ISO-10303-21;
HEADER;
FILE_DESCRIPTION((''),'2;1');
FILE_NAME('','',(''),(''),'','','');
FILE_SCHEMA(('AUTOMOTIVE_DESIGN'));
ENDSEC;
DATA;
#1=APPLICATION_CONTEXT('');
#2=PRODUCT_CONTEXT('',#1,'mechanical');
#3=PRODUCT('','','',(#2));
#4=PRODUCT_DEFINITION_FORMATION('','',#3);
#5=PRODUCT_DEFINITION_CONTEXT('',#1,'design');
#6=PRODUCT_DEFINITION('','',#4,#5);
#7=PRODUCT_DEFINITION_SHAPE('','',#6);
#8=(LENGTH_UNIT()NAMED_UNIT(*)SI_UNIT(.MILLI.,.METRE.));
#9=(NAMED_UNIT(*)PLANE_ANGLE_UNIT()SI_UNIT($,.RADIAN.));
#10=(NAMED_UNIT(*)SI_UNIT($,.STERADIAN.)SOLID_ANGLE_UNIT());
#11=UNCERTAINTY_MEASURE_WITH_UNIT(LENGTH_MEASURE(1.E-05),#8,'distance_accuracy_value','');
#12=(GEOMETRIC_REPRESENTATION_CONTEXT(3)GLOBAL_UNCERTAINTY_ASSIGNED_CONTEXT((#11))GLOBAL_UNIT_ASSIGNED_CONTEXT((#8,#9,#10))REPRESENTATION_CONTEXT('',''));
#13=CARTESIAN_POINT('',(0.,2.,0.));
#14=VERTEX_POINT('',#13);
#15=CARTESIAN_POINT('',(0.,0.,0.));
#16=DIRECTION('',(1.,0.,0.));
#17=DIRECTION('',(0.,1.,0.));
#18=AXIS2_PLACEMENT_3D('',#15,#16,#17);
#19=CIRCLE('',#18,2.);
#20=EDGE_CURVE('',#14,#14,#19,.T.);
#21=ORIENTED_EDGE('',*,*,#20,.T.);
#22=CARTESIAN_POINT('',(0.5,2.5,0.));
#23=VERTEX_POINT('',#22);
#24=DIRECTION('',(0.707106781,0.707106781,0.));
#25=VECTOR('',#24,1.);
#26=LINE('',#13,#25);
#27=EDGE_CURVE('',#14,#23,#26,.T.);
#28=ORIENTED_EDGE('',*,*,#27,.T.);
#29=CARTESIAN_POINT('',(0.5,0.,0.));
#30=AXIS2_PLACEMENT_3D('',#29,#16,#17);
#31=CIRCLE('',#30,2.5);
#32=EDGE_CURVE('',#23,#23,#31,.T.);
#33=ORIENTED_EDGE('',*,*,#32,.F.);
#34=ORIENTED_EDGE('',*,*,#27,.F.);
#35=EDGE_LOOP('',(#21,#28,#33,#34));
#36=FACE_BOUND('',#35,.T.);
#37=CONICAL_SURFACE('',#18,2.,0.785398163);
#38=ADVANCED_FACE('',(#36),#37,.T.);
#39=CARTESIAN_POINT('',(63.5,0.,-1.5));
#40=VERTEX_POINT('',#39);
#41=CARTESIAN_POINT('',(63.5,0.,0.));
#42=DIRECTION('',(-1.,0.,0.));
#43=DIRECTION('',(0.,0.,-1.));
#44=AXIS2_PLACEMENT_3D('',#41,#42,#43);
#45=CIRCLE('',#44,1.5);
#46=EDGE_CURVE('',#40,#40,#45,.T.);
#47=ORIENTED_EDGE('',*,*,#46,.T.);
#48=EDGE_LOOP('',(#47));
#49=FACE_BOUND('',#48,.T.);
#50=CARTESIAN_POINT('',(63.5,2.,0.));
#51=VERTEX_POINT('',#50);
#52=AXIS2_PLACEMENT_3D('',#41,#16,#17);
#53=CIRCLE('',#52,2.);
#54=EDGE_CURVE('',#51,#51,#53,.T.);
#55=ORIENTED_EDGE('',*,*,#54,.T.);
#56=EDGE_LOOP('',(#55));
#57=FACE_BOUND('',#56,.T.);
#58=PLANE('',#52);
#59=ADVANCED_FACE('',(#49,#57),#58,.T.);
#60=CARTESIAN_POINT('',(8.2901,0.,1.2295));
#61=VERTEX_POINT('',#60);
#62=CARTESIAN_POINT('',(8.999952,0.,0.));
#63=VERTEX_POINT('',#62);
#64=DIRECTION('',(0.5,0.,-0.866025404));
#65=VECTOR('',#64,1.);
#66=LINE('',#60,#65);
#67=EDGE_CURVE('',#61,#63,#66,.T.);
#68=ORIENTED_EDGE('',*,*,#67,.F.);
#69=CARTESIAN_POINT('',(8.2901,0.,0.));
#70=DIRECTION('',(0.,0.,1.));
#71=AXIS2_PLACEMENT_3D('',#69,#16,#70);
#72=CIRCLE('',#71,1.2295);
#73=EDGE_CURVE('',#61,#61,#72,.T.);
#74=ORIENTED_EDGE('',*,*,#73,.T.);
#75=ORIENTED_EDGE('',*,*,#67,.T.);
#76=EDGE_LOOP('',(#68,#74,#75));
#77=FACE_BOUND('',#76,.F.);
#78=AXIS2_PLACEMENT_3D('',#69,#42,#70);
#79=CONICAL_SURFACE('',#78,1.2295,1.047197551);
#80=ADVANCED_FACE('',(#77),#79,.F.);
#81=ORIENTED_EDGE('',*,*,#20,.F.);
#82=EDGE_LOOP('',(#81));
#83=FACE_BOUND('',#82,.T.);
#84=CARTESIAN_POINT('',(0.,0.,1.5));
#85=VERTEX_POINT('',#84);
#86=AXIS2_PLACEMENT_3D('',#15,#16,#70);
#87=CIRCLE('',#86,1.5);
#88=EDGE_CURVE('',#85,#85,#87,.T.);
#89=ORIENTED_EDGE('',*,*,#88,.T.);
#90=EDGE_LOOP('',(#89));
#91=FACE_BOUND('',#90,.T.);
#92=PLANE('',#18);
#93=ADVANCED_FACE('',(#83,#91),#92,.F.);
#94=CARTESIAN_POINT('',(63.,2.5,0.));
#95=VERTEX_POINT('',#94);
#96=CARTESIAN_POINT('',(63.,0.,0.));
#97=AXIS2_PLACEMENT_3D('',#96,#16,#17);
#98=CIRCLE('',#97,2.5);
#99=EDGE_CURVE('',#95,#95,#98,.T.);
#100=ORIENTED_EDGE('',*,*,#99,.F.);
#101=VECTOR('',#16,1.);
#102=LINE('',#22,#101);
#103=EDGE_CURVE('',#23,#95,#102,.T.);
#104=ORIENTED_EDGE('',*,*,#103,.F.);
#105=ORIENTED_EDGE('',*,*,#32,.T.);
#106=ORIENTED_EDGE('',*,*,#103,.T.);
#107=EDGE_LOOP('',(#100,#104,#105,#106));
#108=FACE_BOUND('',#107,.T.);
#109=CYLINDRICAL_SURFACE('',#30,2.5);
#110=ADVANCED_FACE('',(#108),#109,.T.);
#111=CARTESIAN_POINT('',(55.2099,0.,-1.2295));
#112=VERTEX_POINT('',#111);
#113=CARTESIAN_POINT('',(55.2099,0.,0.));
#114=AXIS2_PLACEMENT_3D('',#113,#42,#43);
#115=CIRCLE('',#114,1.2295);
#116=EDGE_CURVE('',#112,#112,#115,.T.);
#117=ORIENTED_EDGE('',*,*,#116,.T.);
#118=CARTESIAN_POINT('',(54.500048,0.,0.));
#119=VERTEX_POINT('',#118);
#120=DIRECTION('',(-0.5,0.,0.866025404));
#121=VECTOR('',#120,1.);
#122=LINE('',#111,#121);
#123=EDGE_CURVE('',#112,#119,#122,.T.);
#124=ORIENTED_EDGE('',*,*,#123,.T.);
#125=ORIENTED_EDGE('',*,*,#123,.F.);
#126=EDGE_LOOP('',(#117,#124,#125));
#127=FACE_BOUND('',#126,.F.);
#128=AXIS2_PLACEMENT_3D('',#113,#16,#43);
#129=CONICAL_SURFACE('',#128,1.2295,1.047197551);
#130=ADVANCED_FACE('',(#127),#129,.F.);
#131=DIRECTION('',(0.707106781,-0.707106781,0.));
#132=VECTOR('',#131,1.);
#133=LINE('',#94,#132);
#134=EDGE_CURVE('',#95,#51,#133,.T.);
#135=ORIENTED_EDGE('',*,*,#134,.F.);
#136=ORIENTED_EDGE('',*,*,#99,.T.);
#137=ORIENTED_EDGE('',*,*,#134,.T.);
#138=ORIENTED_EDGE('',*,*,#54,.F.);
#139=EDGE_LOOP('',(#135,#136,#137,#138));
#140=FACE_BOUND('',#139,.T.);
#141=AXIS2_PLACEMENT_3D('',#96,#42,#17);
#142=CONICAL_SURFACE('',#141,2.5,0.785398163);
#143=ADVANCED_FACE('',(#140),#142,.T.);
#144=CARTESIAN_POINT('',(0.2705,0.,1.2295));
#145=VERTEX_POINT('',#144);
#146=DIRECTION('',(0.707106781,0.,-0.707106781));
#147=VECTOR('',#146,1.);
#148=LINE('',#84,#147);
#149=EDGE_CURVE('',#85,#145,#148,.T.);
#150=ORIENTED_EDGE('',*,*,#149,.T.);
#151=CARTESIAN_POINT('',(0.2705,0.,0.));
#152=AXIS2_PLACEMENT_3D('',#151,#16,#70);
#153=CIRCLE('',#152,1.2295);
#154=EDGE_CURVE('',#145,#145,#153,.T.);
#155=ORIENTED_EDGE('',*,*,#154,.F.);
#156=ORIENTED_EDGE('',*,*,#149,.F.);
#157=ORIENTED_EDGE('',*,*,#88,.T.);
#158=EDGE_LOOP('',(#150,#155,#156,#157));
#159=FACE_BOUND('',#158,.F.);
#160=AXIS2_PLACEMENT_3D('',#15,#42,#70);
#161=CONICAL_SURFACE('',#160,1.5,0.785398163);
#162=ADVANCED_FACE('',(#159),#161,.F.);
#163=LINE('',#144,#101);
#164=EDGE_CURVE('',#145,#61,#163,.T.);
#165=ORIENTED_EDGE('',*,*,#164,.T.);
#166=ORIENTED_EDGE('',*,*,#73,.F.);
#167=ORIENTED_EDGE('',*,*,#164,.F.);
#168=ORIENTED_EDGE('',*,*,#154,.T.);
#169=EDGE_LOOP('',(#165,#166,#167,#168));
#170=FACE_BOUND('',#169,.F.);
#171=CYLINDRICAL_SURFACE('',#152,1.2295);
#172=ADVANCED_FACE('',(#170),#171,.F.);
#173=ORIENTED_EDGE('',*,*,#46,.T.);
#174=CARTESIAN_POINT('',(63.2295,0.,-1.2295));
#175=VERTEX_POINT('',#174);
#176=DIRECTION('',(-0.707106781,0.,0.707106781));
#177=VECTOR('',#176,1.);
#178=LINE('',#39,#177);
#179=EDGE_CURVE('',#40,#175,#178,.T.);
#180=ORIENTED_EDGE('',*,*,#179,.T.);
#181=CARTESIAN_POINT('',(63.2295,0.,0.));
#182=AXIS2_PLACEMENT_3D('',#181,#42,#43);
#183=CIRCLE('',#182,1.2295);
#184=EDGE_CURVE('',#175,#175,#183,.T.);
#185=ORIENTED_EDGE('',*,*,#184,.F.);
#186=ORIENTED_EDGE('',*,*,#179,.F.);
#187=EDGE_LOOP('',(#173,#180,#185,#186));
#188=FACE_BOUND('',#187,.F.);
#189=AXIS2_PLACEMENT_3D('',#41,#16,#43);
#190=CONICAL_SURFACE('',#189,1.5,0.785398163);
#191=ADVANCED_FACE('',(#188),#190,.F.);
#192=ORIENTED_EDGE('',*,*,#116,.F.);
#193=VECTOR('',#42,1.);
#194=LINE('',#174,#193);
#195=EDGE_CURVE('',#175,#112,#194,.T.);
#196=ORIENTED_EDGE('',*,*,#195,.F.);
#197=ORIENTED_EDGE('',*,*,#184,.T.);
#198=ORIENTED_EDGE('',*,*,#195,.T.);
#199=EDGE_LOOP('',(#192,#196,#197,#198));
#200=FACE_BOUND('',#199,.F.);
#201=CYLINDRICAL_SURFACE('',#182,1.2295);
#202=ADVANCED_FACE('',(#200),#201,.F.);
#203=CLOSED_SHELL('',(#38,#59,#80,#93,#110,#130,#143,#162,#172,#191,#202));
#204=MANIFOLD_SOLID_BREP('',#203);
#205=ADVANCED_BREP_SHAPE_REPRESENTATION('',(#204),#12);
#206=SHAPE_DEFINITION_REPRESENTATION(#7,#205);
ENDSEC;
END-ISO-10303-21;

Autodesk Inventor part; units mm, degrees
ref_plane "YZ Plane" through (0, 0, 0) normal (1, 0, 0) x (0, 1, 0)
ref_plane "XZ Plane" through (0, 0, 0) normal (0, 1, 0) x (-1, 0, 0)
ref_plane "XY Plane" through (0, 0, 0) normal (0, 0, 1) x (1, 0, 0)
sketch "Sketch_1" plane through (0, 0, 0) normal (0, 0, 1) x (1, 0, 0)
  line L0 (63.5, 0) -> (0, 0)
  line L1 (0, 0) -> (0, 2)
  line L2 (0, 2) -> (0.5, 2.5)
  line L3 (0.5, 2.5) -> (63, 2.5)
  line L4 (63, 2.5) -> (63.5, 2)
  line L5 (63.5, 2) -> (63.5, 0)
  line L6 (63.5, 0) -> (0, 0)
revolve "Revolution1" add sketch "Sketch_1" angle 360 about axis through (63.5, 0, 0) along (1, 0, 0)
sketch "Sketch2" plane through (0, 0, 0) normal (-1, 0, 0) x (0, 0, 1)
  point P0 (0, 0)
hole "Hole1" at (0, 0, 0) direction (1, 0, 0) diameter 2.459 depth 8.2901 tip angle 120 countersink diameter 3 countersink angle 90 thread size "M3x0.5" class "6H" standard "ISO Metric profile"
sketch "Sketch3" plane through (63.5, 0, 0) normal (1, 0, 0) x (0, 0, -1)
  point P0 (0, 0)
hole "Hole2" at (63.5, 0, 0) direction (-1, 0, 0) diameter 2.459 depth 8.2901 tip angle 120 countersink diameter 3 countersink angle 90 thread size "M3x0.5" class "6H" standard "ISO Metric profile"
properties part number "SETF5-63.5-M3-N3" material "ステンレス鋼 AISI 304"
